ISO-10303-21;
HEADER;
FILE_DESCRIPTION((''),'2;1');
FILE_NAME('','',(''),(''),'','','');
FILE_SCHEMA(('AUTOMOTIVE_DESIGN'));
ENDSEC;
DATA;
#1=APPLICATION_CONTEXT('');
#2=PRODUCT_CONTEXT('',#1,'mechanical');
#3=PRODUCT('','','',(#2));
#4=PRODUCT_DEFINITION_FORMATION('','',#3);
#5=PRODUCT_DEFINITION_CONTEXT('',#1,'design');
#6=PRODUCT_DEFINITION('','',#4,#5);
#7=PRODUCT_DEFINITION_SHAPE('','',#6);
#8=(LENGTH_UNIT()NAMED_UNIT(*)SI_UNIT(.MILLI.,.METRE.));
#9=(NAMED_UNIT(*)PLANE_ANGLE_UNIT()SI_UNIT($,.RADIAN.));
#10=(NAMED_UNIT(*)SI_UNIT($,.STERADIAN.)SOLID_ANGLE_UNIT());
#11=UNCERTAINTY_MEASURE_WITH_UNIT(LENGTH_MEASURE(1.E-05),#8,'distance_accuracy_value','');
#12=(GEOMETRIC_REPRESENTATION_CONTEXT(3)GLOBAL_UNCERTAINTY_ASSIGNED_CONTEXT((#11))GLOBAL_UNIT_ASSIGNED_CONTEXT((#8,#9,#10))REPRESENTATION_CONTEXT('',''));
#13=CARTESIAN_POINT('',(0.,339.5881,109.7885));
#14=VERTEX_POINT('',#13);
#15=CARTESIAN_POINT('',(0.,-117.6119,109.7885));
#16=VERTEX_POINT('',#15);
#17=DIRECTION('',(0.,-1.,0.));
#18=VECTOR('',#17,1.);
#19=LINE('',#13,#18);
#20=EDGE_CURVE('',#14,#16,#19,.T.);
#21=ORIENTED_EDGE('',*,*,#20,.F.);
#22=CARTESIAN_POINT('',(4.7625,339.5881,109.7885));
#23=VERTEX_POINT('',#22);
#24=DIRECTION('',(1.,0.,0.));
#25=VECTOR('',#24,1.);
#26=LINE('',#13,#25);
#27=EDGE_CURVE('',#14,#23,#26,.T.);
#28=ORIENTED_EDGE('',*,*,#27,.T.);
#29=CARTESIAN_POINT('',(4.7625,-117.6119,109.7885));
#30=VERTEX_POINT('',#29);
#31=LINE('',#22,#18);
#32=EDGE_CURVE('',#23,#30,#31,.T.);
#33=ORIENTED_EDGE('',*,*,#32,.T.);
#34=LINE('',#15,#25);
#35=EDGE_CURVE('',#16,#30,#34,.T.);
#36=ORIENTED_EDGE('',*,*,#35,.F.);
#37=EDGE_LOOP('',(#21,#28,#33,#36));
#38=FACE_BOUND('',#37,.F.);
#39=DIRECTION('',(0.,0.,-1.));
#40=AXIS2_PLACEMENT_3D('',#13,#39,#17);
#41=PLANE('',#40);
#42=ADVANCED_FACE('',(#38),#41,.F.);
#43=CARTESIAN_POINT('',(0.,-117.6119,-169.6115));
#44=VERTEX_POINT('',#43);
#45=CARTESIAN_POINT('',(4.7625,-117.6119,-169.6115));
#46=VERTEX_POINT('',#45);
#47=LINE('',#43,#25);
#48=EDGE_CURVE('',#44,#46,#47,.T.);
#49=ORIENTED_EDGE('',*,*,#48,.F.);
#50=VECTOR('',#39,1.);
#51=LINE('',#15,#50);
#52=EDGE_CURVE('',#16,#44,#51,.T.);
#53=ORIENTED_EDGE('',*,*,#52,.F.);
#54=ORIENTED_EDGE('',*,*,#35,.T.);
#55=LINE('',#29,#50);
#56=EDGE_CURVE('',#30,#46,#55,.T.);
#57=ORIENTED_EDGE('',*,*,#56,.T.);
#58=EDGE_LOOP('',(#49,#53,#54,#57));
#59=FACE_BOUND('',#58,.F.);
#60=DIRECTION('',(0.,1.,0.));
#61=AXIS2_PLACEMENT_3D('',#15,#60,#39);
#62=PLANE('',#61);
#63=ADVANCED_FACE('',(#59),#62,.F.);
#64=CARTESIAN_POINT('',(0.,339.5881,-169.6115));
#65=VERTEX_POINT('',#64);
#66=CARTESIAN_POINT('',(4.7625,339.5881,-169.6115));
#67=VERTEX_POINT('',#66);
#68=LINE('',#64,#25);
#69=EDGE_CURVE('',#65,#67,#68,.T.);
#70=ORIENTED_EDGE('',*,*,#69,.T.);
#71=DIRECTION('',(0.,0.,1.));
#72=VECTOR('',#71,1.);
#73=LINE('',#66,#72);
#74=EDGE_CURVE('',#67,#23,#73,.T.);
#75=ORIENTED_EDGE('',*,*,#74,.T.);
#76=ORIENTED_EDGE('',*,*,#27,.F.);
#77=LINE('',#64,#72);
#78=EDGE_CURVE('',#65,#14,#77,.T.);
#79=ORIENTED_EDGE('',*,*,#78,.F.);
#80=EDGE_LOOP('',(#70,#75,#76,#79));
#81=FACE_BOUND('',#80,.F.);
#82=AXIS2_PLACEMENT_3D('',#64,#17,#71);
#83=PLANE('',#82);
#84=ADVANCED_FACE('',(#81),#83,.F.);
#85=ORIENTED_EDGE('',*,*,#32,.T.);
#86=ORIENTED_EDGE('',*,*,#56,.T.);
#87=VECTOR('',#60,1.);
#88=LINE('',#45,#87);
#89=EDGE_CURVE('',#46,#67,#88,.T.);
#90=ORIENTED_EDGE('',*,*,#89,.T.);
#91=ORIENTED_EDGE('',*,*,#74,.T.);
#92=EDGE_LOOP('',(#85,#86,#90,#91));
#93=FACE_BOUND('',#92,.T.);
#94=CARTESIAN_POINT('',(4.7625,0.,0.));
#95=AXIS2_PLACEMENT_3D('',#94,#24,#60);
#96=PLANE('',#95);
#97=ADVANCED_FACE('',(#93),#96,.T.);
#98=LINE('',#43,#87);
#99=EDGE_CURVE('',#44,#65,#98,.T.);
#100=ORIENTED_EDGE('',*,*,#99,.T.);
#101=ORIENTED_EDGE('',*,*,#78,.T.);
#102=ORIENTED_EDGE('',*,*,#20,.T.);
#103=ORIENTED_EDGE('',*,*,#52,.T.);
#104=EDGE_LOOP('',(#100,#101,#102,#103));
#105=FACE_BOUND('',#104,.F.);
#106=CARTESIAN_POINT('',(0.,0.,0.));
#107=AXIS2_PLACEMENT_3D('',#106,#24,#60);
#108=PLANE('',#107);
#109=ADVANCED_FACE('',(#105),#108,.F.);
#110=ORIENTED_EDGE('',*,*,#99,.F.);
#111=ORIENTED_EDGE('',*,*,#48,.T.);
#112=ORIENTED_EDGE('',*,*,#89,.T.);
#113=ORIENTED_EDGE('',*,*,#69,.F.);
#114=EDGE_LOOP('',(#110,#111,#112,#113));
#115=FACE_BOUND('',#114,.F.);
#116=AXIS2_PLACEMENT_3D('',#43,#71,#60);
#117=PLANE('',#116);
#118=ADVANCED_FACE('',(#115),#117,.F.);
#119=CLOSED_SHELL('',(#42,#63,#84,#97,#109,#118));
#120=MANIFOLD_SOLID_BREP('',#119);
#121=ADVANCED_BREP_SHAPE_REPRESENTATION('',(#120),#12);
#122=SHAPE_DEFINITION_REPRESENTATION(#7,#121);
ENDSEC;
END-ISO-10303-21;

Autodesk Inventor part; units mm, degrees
ref_plane "YZ Plane" through (0, 0, 0) normal (1, 0, 0) x (0, 1, 0)
ref_plane "XZ Plane" through (0, 0, 0) normal (0, 1, 0) x (-1, 0, 0)
ref_plane "XY Plane" through (0, 0, 0) normal (0, 0, 1) x (1, 0, 0)
sketch "Sketch1" plane through (0, 0, 0) normal (1, 0, 0) x (0, 1, 0)
  line L0 (339.5881, 109.7885) -> (-117.6119, 109.7885)
  line L1 (-117.6119, 109.7885) -> (-117.6119, -169.6115)
  line L2 (-117.6119, -169.6115) -> (339.5881, -169.6115)
  line L3 (339.5881, -169.6115) -> (339.5881, 109.7885)
  point P0 (0, 0)
  dimension "d0" = 279.4
  dimension "d1" = 457.2
extrude "Extrusion1" add sketch "Sketch1" along normal blind 4.7625
properties part number "SideEBoard"
